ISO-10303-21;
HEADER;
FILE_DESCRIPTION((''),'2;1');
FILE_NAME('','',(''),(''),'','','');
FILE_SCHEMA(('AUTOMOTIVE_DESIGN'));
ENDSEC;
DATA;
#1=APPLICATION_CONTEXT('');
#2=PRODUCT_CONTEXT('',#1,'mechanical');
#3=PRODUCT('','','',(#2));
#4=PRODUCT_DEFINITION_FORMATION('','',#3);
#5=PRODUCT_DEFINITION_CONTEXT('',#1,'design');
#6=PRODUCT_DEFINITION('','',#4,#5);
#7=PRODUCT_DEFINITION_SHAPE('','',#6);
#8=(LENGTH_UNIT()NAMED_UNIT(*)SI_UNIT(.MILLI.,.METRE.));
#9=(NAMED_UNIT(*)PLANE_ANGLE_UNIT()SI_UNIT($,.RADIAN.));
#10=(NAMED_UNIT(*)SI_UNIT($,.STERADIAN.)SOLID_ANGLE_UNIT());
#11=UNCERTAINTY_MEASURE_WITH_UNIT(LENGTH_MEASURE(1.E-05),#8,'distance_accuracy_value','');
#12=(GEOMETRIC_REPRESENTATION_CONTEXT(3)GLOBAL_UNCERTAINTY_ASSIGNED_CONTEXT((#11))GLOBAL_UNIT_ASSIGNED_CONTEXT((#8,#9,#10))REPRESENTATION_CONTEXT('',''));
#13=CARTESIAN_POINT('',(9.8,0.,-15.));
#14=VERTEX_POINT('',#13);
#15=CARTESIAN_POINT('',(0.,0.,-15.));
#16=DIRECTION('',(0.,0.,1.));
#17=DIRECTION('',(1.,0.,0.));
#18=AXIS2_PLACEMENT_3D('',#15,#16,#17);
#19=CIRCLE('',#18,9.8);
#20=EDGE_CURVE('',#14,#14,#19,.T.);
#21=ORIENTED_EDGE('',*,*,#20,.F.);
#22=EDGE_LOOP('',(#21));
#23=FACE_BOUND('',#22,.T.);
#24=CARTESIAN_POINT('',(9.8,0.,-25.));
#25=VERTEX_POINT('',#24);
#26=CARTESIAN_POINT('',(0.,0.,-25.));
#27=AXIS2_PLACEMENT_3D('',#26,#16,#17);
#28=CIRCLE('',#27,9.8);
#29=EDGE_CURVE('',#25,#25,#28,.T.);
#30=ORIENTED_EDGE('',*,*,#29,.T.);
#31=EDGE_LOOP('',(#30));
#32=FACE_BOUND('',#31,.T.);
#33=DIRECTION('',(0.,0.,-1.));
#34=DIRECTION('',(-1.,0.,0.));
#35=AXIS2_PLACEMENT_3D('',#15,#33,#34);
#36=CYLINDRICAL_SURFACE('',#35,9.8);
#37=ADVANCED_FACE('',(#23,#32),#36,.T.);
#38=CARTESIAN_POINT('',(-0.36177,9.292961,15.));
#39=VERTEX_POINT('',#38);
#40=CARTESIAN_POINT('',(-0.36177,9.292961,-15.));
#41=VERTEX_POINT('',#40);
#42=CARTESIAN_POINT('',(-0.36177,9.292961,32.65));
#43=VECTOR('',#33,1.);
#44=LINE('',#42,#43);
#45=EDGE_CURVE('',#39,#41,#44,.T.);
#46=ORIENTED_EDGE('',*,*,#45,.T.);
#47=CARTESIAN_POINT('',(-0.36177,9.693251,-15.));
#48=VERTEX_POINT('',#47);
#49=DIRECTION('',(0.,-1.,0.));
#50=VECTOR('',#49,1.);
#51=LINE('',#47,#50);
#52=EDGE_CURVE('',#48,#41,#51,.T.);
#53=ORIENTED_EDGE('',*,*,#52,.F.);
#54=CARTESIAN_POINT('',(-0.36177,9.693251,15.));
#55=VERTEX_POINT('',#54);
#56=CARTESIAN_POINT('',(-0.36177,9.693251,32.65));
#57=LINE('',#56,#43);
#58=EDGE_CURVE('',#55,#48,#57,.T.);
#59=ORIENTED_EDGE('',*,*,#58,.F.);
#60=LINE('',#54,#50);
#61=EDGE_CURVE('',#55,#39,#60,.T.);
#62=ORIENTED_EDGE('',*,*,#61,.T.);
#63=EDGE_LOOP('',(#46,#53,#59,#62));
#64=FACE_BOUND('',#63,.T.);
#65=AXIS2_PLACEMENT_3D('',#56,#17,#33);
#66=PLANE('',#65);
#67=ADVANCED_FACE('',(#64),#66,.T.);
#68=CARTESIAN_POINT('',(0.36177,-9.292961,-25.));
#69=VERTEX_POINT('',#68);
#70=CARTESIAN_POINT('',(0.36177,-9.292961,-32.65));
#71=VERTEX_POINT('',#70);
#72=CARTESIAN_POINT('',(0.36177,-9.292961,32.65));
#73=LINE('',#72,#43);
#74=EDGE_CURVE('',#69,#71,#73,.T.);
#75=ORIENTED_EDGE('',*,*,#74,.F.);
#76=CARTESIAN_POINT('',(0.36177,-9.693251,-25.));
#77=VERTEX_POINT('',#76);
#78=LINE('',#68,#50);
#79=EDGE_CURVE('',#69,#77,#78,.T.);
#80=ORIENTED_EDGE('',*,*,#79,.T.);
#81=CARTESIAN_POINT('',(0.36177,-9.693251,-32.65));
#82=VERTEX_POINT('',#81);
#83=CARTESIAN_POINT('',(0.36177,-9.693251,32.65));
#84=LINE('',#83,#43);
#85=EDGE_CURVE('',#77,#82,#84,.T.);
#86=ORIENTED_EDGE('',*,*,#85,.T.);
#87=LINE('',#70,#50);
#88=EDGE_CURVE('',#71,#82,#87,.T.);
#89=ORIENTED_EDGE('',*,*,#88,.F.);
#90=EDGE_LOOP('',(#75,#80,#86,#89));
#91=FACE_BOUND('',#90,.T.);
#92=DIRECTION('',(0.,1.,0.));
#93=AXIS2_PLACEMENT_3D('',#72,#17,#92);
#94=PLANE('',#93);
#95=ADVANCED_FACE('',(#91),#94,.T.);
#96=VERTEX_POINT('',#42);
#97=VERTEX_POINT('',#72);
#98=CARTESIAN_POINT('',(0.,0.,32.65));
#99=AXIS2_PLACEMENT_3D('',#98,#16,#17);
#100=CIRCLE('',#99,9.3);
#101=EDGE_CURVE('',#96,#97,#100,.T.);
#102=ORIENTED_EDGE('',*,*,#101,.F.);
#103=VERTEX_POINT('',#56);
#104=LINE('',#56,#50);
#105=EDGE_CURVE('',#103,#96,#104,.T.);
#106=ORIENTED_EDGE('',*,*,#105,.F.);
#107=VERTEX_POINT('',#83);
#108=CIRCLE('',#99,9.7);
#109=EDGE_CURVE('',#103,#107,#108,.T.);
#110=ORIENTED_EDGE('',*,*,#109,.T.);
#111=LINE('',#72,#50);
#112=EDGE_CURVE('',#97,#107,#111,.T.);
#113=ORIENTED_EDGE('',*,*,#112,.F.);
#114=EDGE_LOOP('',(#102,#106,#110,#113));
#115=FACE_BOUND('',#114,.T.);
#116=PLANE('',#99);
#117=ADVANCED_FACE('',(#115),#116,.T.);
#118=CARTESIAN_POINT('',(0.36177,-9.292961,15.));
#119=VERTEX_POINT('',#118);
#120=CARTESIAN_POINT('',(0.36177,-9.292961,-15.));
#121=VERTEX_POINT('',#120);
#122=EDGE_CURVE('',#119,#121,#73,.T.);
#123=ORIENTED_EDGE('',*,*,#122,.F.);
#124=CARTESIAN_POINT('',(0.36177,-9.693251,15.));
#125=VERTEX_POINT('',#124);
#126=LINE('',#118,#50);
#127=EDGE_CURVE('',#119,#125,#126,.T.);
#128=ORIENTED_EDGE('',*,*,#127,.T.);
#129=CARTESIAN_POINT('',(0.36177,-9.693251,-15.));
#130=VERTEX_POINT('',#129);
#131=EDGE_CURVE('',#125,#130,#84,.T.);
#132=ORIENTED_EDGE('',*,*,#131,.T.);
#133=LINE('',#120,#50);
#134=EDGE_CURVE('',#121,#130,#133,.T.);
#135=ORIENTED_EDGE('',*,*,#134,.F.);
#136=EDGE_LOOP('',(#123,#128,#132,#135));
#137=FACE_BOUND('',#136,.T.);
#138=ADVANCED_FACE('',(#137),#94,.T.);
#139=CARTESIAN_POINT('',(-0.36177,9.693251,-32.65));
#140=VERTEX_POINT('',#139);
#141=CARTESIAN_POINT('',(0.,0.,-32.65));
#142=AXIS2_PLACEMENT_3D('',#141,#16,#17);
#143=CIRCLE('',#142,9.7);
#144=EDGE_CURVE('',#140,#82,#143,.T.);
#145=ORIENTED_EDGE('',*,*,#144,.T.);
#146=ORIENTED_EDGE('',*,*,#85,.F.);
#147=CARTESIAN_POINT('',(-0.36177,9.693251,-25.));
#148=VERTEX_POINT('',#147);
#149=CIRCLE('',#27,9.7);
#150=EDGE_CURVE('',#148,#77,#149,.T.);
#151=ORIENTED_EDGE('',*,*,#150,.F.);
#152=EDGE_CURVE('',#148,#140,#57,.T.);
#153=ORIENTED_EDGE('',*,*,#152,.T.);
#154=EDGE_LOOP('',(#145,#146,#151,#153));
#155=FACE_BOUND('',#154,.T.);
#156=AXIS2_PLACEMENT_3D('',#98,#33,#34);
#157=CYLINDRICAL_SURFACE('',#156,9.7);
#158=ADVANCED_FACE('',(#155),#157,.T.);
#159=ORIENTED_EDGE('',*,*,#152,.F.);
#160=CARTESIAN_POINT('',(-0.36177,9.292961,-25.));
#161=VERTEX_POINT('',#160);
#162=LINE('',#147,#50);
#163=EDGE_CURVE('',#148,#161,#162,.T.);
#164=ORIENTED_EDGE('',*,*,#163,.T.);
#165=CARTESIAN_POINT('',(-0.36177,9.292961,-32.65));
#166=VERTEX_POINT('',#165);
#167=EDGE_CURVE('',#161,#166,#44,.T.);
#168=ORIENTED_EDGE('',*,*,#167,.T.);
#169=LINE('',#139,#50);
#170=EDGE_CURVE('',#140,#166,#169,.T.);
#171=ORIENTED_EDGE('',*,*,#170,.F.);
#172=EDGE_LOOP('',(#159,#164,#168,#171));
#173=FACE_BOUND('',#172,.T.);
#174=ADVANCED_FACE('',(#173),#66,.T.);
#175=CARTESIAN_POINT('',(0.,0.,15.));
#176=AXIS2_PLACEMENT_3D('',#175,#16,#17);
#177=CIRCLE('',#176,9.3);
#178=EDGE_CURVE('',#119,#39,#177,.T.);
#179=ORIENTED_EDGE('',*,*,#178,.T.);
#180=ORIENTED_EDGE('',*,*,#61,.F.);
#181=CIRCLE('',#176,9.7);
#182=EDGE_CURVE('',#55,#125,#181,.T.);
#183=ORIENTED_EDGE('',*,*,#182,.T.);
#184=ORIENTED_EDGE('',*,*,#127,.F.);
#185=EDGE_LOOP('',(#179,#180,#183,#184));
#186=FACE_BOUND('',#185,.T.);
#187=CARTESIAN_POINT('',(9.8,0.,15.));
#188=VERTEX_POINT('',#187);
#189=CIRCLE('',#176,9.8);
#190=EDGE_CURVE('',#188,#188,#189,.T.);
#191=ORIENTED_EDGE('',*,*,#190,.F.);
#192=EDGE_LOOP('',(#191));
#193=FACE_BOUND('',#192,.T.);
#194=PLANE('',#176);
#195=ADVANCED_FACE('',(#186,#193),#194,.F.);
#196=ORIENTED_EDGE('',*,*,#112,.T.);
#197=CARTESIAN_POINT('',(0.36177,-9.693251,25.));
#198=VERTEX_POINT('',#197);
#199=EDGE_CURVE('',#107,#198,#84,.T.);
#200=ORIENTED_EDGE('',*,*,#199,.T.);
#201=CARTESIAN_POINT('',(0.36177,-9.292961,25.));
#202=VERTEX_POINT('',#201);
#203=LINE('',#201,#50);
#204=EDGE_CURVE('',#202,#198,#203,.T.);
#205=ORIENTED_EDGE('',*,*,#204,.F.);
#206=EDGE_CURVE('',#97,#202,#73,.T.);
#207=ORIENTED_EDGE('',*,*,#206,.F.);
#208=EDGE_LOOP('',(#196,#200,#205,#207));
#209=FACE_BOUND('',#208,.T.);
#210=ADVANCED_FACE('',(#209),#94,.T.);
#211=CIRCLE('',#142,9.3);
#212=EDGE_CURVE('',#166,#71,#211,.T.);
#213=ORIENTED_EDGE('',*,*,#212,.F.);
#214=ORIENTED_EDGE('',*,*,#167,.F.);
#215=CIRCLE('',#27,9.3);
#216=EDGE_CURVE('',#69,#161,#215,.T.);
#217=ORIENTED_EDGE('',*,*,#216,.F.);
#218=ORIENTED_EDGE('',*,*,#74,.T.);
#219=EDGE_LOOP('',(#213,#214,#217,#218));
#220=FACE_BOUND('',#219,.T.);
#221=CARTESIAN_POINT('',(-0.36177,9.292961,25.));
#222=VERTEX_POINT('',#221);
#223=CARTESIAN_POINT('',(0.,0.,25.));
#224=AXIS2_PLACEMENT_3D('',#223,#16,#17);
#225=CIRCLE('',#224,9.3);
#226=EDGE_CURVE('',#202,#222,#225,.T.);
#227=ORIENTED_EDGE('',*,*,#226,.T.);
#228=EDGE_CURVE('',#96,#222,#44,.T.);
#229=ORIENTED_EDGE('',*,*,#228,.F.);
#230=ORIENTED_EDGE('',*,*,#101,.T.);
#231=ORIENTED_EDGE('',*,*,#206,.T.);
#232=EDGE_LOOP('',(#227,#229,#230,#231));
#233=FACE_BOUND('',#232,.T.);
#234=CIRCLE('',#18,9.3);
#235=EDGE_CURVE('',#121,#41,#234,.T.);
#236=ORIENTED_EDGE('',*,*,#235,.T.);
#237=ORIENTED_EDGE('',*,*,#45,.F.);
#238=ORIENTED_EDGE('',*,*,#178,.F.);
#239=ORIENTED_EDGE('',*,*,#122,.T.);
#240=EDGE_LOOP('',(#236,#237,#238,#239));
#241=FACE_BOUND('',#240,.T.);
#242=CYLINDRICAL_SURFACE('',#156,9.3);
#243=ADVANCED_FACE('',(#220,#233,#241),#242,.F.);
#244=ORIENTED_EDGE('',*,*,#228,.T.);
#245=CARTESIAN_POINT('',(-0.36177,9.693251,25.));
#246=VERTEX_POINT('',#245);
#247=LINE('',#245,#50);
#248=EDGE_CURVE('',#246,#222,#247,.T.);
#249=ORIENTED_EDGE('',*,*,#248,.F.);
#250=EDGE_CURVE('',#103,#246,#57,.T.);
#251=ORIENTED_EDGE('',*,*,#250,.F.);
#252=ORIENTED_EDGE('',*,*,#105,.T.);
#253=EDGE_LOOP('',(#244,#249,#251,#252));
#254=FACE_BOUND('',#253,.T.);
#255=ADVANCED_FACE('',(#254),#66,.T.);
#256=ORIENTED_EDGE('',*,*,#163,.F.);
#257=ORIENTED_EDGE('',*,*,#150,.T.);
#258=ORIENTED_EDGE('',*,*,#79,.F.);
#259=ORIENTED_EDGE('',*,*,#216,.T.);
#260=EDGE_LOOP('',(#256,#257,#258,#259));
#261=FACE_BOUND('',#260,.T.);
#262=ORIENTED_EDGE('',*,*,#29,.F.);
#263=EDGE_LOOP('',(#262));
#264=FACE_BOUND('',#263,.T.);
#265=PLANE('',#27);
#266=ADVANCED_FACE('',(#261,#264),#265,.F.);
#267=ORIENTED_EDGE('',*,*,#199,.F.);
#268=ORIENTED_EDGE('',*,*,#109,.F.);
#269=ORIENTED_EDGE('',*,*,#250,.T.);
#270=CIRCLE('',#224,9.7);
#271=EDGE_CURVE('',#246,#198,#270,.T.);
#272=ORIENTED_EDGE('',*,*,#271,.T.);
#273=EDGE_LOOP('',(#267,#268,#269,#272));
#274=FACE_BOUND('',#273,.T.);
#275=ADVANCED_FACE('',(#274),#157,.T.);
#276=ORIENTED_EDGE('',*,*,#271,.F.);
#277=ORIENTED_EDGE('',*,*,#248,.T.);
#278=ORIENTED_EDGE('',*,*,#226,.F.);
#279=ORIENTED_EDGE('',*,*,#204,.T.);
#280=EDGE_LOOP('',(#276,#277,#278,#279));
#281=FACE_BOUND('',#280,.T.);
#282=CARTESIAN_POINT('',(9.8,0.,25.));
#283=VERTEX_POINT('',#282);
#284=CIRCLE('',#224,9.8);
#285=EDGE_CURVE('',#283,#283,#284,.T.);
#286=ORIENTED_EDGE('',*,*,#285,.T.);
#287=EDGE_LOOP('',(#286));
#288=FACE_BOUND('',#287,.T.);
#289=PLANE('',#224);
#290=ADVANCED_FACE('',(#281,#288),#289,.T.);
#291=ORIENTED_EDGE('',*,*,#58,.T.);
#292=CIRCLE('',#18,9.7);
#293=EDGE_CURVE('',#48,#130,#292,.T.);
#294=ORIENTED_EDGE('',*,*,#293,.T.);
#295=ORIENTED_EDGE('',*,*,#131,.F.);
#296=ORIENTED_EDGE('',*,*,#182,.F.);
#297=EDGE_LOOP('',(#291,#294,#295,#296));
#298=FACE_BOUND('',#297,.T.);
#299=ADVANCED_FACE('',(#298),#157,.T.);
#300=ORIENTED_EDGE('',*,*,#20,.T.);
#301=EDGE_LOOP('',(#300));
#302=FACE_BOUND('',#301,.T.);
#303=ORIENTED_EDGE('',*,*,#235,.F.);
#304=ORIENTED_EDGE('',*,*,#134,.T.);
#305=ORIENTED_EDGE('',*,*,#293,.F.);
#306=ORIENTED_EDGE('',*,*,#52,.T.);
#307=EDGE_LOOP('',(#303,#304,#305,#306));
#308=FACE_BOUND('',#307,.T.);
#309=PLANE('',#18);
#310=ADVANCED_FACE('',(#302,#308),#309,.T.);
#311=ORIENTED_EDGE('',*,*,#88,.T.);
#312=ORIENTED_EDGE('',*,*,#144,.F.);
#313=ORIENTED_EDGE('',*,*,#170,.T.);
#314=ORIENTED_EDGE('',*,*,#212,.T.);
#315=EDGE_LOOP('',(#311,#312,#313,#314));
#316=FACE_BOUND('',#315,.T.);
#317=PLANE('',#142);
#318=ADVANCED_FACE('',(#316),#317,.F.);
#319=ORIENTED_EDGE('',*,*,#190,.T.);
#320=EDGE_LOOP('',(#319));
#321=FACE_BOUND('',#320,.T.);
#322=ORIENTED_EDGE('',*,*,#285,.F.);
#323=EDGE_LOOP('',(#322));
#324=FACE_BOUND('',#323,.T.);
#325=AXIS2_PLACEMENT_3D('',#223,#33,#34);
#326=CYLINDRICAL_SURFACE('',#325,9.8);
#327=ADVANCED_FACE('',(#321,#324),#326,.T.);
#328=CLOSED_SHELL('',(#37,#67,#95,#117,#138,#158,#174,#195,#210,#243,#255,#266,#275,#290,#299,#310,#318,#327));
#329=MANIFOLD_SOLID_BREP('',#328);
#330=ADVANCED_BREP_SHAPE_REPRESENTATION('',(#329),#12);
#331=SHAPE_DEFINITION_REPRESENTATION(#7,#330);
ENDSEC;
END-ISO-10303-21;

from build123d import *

# Parameters (mm, degrees)
BOSS_EXTRUDE1_DEPTH = 32.65
SKETCH2_R           = 9.8
SKETCH2_R_2         = 9.3
BOSS_EXTRUDE2_DEPTH = 5
LPATTERN1_COUNT     = 2
LPATTERN1_PITCH     = 40


with BuildPart() as part:
    # Sketch1 → Boss-Extrude1 (new body, symmetric)
    with BuildSketch(Plane.XY):
        with BuildLine():
            Line((-0.361769768, 9.693251396), (-0.361769768, 9.292960919))
            ThreePointArc((-0.361769768, 9.292960919), (-9.292960919, -0.361769768), (0.361769768, -9.292960919))
            Line((0.361769768, -9.292960919), (0.361769768, -9.693251396))
            ThreePointArc((0.361769768, -9.693251396), (-9.693251396, -0.361769768), (-0.361769768, 9.693251396))
        make_face()
    extrude(amount=BOSS_EXTRUDE1_DEPTH, both=True)

    # Sketch2 → Boss-Extrude2 (add, symmetric)
    with BuildSketch(Plane.XY.offset(20)):
        Circle(SKETCH2_R)
        Circle(SKETCH2_R_2, mode=Mode.SUBTRACT)
    boss_extrude2 = extrude(amount=BOSS_EXTRUDE2_DEPTH, both=True)

    # LPattern1: Boss-Extrude2 ×2
    with Locations(*[(0, 0, -i * LPATTERN1_PITCH) for i in range(1, LPATTERN1_COUNT)]):
        add(boss_extrude2)


solid = part.part
